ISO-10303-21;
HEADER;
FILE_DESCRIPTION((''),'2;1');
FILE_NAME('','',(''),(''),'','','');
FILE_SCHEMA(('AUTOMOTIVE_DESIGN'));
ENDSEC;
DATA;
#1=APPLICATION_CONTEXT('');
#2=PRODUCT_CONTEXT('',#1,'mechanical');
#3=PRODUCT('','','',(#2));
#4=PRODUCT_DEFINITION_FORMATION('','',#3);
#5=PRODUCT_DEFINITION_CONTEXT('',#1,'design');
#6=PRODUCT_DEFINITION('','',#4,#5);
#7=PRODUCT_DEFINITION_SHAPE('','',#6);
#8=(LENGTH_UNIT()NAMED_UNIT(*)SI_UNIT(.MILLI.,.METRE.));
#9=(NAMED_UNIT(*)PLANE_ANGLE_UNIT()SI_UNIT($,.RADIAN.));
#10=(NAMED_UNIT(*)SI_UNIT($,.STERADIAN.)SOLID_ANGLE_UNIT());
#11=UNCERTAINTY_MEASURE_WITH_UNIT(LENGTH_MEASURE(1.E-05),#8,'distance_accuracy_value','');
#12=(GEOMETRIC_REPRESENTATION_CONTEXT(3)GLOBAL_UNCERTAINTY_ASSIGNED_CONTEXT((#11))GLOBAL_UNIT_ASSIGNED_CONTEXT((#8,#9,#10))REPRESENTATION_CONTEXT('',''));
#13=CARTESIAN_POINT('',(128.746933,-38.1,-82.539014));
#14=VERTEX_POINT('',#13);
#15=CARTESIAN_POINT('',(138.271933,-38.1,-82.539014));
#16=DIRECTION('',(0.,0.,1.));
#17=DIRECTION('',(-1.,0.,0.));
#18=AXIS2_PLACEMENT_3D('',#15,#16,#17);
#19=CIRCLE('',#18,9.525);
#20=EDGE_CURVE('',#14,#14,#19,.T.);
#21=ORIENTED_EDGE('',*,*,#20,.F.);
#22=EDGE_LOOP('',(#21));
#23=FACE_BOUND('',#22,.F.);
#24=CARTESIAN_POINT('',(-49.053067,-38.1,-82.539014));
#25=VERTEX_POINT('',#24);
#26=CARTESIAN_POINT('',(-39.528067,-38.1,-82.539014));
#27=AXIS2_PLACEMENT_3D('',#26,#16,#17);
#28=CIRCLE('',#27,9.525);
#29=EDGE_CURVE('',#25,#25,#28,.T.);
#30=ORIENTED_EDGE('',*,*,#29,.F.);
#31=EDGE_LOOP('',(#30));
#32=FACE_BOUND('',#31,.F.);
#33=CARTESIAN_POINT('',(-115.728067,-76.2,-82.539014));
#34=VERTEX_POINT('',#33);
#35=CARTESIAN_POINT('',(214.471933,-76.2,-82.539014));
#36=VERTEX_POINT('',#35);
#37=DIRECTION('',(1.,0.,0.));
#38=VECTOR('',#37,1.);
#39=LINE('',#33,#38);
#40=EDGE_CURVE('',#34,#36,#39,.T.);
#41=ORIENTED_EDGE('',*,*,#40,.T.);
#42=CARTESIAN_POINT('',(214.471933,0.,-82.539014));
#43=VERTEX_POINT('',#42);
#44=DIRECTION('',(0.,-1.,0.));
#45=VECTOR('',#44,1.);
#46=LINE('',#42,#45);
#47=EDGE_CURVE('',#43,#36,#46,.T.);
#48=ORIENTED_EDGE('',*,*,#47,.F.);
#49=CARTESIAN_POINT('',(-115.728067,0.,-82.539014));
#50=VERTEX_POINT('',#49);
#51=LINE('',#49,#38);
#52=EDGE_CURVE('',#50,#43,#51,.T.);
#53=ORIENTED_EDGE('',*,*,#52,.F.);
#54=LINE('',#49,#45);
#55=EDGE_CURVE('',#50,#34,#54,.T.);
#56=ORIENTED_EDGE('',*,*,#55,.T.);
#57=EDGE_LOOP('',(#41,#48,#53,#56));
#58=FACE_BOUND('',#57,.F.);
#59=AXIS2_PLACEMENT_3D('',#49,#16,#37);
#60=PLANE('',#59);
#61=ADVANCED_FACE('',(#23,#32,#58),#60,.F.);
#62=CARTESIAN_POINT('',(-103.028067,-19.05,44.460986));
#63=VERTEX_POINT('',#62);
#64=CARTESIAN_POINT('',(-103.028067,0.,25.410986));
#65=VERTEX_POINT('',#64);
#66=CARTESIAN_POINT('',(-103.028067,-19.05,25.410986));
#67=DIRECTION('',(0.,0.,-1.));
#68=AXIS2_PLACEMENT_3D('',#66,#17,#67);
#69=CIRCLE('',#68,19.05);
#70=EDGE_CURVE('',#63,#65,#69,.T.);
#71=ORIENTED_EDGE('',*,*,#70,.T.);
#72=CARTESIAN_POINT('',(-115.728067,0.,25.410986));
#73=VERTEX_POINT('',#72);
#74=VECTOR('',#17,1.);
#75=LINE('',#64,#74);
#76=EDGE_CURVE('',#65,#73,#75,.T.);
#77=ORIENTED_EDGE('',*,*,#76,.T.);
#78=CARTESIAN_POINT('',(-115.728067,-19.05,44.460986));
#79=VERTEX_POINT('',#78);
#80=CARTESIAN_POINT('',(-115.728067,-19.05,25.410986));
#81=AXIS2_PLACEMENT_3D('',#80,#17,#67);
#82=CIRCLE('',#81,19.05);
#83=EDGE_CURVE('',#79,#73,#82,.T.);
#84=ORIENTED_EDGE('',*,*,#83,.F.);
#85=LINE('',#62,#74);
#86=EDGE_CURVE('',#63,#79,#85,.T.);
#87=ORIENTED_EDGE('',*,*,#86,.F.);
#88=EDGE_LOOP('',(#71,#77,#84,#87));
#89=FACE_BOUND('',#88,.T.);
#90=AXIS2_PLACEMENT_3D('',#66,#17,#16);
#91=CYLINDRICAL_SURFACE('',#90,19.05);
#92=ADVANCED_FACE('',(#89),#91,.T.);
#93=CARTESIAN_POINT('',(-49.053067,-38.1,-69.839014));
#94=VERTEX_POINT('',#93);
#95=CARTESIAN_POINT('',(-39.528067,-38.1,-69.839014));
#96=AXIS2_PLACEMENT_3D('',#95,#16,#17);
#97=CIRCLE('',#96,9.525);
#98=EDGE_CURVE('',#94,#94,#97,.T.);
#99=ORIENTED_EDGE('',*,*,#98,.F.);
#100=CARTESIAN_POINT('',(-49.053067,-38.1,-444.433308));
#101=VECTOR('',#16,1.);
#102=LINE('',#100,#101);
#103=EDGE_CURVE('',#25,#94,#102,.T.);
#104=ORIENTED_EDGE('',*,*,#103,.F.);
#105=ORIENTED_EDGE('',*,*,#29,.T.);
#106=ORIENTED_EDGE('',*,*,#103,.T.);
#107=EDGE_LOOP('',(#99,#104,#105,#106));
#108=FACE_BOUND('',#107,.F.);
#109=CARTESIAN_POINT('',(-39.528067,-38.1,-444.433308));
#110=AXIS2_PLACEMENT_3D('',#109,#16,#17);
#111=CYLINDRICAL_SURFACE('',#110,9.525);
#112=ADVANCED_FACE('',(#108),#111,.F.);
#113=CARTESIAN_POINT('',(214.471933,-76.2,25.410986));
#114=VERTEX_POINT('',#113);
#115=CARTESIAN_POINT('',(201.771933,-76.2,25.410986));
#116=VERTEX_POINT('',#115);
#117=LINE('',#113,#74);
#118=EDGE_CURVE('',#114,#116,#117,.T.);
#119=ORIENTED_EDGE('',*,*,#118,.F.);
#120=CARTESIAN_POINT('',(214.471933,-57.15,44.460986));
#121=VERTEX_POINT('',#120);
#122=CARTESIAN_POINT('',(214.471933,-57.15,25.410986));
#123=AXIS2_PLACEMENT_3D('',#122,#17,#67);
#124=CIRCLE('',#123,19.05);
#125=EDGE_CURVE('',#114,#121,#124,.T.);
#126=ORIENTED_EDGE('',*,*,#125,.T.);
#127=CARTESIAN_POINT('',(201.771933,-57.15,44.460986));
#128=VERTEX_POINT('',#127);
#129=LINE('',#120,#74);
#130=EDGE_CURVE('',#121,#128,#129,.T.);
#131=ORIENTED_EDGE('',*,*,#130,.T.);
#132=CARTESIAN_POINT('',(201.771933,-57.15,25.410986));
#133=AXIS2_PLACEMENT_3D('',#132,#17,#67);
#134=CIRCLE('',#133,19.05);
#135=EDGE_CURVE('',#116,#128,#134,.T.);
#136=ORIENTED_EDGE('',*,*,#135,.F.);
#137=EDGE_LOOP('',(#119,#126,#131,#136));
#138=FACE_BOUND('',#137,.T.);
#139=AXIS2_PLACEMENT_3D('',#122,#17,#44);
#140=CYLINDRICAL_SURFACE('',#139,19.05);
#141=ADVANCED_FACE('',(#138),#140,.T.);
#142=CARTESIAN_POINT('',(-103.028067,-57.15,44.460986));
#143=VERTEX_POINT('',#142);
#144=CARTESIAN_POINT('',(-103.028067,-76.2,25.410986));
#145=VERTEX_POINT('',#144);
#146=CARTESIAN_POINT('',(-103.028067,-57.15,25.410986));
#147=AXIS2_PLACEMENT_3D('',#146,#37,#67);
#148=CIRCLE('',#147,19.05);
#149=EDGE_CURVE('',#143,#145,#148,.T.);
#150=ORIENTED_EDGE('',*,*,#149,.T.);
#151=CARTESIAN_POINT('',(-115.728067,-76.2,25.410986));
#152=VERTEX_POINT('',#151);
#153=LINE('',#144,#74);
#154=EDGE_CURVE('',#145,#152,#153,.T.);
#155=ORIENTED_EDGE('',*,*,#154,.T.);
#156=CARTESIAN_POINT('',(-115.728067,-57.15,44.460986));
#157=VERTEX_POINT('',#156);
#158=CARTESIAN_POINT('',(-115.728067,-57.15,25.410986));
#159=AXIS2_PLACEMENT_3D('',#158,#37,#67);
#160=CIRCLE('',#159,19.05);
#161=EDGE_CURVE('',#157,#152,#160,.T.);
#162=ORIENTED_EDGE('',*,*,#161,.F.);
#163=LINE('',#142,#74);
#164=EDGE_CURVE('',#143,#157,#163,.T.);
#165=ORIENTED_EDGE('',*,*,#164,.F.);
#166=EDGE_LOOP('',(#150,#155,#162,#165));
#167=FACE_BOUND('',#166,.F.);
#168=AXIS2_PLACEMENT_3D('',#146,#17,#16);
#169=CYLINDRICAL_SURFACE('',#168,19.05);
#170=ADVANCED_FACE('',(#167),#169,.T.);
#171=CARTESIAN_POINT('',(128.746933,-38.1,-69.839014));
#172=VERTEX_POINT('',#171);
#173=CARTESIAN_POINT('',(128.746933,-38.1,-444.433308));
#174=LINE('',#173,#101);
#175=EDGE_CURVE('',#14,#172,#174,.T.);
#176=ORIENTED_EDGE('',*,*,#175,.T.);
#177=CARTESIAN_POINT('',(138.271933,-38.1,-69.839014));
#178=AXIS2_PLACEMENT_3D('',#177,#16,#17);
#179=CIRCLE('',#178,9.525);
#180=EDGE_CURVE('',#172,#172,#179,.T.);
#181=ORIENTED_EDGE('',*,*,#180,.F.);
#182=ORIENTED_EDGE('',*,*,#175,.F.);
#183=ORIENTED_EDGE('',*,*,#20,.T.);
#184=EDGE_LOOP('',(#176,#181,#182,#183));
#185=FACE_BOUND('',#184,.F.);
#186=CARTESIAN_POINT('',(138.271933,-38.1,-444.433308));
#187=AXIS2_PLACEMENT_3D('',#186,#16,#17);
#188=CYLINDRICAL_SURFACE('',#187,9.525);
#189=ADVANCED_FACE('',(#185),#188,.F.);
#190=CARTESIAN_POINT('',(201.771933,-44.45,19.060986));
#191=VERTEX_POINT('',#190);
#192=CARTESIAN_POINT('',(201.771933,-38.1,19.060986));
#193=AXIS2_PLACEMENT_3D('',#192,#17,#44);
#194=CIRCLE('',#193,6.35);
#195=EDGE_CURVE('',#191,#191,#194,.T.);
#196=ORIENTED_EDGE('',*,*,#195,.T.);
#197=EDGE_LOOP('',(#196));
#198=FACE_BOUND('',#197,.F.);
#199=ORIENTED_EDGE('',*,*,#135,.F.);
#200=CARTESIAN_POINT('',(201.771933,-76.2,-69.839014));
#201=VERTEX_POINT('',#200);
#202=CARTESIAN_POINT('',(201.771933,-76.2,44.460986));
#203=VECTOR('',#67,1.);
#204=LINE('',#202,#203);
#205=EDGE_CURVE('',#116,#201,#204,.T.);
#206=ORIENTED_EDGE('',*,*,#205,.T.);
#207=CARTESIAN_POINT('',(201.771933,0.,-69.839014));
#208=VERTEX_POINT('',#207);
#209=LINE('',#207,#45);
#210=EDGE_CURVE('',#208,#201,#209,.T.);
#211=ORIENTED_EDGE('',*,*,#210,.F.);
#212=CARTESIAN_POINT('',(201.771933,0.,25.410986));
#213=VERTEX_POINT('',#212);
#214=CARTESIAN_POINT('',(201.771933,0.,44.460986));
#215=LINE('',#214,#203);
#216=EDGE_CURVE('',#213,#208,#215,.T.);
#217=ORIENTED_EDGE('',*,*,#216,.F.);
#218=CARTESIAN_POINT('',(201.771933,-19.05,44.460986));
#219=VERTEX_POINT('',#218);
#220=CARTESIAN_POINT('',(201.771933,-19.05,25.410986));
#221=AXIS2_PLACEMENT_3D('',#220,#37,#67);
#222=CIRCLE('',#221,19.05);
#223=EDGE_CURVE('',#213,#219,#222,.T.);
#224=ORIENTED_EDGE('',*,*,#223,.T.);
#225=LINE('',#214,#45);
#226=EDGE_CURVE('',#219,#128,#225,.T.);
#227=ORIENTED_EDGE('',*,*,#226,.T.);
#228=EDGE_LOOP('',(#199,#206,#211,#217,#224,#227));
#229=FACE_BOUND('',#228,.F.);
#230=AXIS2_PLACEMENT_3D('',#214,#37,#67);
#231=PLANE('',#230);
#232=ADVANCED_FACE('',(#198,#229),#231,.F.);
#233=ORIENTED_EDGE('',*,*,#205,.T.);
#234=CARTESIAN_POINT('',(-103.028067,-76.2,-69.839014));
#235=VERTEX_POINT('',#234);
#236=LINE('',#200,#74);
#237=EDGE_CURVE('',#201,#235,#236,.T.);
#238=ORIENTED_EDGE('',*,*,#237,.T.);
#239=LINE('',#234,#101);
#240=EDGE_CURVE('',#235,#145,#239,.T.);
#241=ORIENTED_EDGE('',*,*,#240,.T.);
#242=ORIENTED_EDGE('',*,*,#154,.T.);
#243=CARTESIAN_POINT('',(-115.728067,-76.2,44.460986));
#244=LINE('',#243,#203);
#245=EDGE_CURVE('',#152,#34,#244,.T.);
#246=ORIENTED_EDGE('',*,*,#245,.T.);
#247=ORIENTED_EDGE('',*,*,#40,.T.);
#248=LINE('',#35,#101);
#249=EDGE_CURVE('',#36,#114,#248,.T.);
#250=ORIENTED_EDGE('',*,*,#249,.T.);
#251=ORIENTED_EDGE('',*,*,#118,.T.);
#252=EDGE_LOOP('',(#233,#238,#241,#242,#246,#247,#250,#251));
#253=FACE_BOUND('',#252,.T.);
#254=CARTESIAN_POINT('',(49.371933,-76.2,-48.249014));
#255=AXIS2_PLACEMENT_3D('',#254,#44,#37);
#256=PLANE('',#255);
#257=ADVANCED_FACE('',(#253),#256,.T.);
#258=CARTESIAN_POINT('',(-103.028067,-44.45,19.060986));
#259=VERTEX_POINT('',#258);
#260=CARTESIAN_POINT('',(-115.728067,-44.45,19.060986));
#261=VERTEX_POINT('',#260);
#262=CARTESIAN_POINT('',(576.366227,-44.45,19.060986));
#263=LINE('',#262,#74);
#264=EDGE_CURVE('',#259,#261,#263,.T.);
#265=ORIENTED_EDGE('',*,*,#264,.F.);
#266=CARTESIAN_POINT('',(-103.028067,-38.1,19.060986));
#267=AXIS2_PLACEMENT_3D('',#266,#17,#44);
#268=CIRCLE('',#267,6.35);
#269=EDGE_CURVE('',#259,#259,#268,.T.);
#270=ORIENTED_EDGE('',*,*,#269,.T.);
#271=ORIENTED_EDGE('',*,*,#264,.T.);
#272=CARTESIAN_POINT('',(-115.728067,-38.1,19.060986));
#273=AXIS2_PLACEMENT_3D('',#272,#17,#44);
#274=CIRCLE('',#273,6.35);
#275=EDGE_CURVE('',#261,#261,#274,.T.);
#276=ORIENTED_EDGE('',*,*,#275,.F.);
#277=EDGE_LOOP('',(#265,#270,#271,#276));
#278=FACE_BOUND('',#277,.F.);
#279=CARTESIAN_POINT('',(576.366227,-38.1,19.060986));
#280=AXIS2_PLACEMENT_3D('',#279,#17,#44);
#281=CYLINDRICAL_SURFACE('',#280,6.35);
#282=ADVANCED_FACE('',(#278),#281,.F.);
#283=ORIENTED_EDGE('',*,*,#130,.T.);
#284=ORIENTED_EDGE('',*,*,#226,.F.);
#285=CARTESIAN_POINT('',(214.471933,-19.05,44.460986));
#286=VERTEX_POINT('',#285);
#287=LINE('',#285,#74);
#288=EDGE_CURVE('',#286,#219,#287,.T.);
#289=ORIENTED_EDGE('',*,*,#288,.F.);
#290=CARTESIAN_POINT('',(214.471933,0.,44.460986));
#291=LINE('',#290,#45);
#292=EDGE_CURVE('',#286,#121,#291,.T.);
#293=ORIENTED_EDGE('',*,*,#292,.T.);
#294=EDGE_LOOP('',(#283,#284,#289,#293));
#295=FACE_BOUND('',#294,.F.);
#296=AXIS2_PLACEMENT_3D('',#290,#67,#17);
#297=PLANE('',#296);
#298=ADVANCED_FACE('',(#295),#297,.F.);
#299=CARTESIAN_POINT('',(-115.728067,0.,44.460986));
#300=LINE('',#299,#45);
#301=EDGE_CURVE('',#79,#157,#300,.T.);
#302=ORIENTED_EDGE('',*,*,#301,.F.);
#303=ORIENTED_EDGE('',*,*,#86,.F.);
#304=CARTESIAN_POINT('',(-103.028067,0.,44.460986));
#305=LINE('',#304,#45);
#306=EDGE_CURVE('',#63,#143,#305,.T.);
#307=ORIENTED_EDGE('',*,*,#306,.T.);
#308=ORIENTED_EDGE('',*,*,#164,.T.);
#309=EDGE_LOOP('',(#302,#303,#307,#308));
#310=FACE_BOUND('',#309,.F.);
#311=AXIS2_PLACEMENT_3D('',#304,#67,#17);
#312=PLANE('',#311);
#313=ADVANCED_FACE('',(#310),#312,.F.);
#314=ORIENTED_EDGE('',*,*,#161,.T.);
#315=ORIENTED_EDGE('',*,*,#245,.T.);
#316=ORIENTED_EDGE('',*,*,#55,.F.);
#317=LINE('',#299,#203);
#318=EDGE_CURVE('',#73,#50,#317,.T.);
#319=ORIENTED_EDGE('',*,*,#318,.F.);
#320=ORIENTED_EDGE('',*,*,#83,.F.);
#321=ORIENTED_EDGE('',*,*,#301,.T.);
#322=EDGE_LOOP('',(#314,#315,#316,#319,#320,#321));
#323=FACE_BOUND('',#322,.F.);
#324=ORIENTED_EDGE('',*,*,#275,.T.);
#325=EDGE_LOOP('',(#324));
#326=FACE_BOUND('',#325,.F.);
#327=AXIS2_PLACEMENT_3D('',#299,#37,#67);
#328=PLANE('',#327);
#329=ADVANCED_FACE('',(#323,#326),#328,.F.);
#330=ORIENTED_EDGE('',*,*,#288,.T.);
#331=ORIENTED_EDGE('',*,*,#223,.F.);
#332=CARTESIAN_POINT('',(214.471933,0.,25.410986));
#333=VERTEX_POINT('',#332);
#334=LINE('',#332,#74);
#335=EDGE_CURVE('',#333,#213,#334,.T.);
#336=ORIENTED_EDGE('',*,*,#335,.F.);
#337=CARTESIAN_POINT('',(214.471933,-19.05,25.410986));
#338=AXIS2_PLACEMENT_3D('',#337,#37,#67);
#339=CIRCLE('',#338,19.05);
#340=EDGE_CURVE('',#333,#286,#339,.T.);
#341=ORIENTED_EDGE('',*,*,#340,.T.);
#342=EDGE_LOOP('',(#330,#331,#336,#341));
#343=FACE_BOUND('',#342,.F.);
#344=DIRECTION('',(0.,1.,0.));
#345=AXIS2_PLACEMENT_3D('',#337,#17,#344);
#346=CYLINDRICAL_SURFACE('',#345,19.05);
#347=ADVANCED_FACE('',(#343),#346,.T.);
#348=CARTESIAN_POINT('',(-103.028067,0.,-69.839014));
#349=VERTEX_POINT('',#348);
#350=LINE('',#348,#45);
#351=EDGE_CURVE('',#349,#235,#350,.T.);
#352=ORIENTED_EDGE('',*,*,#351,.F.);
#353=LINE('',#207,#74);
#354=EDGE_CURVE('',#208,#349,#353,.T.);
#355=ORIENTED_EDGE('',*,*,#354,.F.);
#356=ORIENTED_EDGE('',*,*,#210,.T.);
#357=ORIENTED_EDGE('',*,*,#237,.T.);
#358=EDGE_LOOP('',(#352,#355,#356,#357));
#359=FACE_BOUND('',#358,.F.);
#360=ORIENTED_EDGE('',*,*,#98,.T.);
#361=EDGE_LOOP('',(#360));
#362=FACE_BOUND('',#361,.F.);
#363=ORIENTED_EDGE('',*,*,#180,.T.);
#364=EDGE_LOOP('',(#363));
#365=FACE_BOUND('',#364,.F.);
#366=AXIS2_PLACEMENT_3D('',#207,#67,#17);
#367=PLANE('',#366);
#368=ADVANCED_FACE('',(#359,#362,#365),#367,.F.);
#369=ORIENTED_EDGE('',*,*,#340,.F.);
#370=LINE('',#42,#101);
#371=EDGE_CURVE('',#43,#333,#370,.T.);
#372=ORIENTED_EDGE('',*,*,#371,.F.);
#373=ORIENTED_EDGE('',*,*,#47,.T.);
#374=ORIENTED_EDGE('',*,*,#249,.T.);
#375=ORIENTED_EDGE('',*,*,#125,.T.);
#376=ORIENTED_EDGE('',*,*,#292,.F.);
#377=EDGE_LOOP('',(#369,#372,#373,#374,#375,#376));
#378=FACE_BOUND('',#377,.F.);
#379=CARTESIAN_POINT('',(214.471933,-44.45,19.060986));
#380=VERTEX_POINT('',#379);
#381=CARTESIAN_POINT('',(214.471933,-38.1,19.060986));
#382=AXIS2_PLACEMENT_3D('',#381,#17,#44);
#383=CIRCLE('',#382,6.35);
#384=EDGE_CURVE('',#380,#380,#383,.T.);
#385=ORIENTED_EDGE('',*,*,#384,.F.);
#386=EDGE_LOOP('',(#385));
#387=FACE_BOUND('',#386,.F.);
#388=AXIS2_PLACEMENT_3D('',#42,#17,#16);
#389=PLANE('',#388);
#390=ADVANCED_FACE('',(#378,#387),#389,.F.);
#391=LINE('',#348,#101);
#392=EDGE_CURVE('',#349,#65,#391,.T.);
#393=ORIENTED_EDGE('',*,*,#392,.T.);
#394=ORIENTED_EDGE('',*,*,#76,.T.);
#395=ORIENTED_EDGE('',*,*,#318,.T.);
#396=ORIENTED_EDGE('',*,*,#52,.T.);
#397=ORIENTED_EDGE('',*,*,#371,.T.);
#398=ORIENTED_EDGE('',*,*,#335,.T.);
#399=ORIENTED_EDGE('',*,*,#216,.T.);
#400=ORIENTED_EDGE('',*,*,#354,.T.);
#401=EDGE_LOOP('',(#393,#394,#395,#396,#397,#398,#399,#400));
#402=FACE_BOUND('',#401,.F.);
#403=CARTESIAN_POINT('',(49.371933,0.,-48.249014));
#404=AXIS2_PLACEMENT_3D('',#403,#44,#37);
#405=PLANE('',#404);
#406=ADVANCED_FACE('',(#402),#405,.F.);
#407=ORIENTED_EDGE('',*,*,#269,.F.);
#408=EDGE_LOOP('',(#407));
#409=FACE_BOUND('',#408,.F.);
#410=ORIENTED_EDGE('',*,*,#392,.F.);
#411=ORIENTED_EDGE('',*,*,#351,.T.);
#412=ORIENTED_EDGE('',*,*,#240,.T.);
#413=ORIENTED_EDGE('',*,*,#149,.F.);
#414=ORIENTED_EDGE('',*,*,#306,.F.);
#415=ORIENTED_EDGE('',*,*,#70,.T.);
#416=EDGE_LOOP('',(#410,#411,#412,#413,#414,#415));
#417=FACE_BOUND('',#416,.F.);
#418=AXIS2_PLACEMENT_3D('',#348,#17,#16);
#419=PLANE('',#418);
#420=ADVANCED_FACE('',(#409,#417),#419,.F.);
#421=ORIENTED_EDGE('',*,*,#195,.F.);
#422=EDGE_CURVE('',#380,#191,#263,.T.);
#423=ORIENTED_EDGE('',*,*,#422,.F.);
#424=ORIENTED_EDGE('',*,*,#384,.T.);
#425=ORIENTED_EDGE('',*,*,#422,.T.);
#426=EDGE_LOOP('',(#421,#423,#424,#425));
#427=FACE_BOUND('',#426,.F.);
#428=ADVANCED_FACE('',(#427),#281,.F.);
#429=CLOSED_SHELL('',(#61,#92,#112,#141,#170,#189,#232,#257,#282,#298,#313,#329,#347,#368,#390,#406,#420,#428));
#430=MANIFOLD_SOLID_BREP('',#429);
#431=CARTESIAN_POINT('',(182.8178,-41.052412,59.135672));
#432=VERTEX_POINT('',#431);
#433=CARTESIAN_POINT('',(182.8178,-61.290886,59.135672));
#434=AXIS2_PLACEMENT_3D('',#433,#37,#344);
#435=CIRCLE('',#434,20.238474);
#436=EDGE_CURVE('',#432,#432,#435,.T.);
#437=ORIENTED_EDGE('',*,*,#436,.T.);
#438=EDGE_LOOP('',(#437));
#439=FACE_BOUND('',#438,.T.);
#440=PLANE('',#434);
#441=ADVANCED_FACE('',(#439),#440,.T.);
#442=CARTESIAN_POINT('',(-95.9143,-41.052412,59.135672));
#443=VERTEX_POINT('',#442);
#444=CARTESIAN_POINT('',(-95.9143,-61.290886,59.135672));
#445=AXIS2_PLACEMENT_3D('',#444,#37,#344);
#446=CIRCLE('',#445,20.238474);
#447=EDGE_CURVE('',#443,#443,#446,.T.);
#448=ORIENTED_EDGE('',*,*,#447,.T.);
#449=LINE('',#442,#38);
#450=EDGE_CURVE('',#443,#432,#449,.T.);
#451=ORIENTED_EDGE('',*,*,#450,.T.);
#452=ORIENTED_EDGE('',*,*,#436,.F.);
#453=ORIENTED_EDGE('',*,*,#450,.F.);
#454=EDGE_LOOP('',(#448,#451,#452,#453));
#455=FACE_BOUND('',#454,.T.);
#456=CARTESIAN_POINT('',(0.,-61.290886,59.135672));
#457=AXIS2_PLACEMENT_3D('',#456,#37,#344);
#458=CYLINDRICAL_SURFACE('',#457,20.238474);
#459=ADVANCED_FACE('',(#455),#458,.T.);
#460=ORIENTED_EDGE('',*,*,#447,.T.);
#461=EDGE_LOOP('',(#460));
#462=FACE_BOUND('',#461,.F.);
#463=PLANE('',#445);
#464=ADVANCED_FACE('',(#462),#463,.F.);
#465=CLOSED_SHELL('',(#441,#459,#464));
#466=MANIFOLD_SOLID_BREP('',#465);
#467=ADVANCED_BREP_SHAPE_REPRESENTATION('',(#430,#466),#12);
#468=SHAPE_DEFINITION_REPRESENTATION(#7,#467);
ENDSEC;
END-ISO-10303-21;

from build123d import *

# Parameters (mm, degrees)
F1_DEPTH      = 76.2
F3_D          = 12.7
F4_R          = 19.05
F6_D          = 19.05
F7_R          = 20.238474
F8_DEPTH      = 182.8178
F8_DEPTH_BACK = 95.9143


with BuildPart() as f1:
    # F0 (on Front) → F1 (new body)
    with BuildSketch(Plane.XZ):
        Polygon((-103.028067, 44.460986), (-115.728067, 44.460986), (-115.728067, -82.539014), (214.471933, -82.539014), (214.471933, 44.460986), (201.771933, 44.460986), (201.771933, -69.839014), (-103.028067, -69.839014), align=None)
    extrude(amount=F1_DEPTH)

    # F3 (through all)
    with Locations(Plane.YZ.offset(214.471933)):
        with Locations((-38.1, 19.060986)):
            Hole(F3_D / 2)

    # F4
    f4_edges = [f1.edges().sort_by_distance(p)[0] for p in [
        (208.121933, -76.2, 44.460986),
        (208.121933, 0, 44.460986),
        (-109.378067, -76.2, 44.460986),
        (-109.378067, 0, 44.460986),
    ]]
    fillet(f4_edges, radius=F4_R)

    # F6 (through all)
    with Locations(Plane(origin=(0, 0, -82.539014), x_dir=(1, 0, 0), z_dir=(0, 0, -1))):
        with Locations((-39.528067, 38.1), (138.271933, 38.1)):
            Hole(F6_D / 2)


with BuildPart() as f8:
    # F7 (on Right) → F8 (new body, two sides)
    with BuildSketch(Plane.YZ) as f8_sk:
        with Locations((-61.290886, 59.135672)):
            Circle(F7_R)
    extrude(amount=F8_DEPTH)
    extrude(f8_sk.sketch, amount=-F8_DEPTH_BACK)


solid = Compound([f1.part, f8.part])
